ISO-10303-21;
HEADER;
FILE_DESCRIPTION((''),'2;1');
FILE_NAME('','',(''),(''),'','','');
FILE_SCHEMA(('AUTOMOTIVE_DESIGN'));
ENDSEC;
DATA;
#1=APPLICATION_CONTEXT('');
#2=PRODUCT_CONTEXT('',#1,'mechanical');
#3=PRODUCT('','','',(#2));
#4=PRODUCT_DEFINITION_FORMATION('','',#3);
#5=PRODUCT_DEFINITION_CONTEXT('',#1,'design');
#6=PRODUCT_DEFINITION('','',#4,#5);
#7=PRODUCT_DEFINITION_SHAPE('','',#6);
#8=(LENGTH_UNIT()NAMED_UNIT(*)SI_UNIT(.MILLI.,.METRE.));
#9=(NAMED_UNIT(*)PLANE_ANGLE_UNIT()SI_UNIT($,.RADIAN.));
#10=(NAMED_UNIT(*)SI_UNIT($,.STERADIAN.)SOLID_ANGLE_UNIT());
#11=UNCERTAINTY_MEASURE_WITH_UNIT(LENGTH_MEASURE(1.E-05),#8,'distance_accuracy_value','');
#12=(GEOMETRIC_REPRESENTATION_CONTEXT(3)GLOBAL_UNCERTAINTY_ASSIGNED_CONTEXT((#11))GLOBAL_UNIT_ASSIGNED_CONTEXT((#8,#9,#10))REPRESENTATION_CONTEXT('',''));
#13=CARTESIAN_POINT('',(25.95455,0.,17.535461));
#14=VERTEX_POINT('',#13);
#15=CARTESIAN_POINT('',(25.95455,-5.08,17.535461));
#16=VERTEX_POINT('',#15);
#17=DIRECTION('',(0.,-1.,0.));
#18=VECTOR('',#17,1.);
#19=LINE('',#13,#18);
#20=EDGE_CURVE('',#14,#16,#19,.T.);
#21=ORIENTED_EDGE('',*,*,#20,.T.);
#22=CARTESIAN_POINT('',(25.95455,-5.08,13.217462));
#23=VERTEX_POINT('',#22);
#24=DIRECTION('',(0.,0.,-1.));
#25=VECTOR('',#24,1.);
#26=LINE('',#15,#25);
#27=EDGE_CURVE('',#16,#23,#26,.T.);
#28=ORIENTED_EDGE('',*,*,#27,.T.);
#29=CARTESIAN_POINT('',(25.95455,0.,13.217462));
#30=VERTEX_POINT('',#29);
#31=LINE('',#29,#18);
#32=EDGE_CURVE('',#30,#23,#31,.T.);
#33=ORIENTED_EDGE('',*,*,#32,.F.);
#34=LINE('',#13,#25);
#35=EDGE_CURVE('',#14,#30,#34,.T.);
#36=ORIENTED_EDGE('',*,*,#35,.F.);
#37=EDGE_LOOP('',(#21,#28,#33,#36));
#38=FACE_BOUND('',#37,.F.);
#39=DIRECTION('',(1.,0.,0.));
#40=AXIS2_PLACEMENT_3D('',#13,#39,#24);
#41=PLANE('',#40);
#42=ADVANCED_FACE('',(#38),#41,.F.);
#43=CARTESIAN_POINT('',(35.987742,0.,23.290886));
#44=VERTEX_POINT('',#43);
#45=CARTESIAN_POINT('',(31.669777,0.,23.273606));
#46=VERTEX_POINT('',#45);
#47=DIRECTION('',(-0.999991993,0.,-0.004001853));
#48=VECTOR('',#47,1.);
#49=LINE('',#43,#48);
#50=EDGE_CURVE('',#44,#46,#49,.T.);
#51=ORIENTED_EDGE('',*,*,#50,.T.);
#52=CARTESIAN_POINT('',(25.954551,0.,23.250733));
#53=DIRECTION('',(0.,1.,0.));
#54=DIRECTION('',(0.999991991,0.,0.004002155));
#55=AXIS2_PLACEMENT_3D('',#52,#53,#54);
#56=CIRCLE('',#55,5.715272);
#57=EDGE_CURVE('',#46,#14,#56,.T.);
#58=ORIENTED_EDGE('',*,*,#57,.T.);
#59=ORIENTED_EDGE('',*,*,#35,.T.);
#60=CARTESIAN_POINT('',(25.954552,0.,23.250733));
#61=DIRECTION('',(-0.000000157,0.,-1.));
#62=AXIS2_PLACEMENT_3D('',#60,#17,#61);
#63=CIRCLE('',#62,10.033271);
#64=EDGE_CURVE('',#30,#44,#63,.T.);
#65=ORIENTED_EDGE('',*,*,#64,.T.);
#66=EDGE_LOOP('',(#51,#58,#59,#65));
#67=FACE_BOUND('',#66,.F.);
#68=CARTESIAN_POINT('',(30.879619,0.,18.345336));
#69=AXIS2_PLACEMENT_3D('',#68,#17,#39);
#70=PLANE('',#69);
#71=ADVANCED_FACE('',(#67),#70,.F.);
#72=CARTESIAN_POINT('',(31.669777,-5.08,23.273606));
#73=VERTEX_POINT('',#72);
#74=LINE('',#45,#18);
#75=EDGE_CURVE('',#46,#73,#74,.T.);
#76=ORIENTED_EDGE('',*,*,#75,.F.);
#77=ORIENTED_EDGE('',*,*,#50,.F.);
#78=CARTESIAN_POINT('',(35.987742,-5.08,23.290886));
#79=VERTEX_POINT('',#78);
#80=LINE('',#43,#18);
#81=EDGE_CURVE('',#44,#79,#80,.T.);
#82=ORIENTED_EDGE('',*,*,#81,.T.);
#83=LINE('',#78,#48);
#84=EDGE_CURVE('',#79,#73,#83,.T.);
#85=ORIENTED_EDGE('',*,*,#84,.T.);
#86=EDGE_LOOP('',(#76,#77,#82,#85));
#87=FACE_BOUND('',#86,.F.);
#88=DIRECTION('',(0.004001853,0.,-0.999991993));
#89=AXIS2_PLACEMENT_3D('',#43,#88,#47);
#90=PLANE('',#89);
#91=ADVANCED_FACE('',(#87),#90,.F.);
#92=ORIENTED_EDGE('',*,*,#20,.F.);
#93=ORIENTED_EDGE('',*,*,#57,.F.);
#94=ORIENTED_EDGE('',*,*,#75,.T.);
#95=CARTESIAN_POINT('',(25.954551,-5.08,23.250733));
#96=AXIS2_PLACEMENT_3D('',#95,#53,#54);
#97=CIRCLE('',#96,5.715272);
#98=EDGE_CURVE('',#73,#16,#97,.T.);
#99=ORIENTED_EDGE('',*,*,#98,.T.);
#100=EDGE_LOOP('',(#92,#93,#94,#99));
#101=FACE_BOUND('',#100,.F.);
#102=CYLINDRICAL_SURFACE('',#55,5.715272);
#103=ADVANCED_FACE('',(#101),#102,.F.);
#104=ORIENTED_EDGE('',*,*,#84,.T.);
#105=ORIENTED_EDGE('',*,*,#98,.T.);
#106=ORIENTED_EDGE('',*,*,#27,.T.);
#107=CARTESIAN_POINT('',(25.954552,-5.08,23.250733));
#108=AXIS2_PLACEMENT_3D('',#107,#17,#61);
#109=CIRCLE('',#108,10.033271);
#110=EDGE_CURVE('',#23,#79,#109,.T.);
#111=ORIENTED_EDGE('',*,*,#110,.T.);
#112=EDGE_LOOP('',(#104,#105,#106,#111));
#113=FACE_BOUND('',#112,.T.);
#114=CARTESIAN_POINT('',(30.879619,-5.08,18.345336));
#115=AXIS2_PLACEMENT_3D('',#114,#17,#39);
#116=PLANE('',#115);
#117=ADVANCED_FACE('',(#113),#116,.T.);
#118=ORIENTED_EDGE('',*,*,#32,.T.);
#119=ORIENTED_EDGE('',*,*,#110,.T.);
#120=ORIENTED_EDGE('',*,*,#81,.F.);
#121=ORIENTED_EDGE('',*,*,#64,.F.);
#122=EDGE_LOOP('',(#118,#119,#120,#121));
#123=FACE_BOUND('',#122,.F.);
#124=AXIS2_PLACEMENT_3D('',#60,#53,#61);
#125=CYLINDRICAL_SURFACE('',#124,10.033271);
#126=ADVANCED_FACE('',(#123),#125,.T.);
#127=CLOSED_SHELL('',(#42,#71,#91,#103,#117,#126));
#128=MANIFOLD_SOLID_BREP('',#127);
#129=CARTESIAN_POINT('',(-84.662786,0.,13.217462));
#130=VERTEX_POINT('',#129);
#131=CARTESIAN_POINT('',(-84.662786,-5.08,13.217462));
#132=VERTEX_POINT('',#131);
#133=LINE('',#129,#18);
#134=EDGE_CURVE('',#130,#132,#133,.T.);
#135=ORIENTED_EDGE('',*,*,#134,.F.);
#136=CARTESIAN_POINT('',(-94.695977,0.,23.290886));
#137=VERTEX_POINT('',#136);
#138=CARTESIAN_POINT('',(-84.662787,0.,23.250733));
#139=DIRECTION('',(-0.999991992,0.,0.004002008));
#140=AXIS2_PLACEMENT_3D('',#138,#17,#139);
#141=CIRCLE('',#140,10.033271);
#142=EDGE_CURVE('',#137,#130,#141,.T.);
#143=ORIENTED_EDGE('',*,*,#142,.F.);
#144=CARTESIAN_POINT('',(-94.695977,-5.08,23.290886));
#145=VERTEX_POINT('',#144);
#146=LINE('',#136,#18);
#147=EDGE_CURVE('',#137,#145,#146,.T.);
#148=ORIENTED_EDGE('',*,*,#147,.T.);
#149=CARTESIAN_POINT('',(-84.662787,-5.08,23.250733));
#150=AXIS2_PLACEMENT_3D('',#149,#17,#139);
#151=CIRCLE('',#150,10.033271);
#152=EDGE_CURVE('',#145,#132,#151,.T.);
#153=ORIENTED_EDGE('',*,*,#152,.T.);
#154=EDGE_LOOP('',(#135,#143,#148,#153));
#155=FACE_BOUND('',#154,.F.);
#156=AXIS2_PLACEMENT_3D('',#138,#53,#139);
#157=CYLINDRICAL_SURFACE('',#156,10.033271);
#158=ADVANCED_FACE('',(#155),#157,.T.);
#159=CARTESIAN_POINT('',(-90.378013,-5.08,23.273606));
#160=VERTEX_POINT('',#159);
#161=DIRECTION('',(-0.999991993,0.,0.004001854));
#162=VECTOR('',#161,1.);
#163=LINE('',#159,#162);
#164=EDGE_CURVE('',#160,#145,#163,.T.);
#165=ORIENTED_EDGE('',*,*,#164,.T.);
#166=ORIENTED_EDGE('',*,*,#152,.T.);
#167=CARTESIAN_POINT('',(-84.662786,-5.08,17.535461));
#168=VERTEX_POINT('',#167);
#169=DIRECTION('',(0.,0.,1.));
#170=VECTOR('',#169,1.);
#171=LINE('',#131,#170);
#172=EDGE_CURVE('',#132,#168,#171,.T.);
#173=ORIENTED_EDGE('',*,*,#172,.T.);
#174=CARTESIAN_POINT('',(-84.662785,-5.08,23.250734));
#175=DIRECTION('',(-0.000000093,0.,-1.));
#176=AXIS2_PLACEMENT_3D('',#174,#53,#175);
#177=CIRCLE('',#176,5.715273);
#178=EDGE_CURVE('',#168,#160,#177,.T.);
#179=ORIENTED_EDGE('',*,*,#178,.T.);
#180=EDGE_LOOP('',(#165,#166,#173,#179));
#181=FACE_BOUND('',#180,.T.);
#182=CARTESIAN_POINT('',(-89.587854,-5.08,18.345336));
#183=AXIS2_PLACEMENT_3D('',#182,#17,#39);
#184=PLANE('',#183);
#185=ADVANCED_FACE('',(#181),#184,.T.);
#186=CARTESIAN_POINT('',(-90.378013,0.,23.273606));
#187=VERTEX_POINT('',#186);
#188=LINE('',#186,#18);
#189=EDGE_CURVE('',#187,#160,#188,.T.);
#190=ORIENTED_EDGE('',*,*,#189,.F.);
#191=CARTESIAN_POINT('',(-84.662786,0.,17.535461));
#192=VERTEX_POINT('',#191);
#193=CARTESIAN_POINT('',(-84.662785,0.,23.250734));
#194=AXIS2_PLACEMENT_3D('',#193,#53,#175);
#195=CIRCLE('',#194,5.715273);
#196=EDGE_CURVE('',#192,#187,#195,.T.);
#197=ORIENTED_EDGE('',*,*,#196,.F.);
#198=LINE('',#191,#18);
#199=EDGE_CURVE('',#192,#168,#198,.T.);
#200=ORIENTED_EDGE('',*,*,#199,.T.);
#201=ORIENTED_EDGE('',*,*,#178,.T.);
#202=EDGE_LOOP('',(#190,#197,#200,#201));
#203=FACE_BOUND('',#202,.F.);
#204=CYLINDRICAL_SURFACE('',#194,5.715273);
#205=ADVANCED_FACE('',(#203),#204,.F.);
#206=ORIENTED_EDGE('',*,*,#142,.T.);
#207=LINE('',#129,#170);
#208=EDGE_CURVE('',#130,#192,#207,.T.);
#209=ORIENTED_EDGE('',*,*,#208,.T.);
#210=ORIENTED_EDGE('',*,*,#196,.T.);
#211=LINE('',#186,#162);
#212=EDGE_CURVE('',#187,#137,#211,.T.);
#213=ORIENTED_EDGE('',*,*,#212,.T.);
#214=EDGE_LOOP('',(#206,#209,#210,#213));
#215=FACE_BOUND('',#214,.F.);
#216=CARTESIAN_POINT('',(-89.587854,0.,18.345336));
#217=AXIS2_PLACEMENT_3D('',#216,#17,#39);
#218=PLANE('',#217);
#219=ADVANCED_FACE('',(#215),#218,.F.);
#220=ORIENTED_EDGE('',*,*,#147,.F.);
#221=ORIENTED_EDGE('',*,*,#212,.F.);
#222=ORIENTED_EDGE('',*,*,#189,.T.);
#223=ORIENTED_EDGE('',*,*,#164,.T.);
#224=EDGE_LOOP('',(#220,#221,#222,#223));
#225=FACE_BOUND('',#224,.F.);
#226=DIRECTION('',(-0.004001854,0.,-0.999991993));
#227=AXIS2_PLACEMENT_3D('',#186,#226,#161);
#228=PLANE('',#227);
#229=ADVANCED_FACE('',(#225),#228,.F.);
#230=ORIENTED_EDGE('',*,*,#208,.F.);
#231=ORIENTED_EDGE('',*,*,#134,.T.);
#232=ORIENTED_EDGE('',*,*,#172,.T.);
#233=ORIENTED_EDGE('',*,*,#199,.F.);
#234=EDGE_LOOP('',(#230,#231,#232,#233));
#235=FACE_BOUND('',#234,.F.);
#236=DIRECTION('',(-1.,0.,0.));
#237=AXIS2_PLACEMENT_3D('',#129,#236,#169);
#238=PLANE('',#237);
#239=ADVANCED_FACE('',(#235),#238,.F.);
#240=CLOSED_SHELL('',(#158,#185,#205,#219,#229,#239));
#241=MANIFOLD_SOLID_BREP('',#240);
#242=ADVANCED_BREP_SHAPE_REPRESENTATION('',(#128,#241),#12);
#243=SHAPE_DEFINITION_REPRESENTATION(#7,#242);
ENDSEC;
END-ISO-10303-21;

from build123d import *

# Parameters (mm, degrees)
F1_DEPTH = 5.08
F2_DEPTH = 5.08


with BuildPart() as f1:
    # F0 (on Front) → F1 (new body)
    with BuildSketch(Plane.XZ):
        with BuildLine():
            ThreePointArc((31.669777, 23.273606), (30.003937, 19.21752), (25.95455, 17.535461))
            Line((25.95455, 17.535461), (25.95455, 13.217462))
            ThreePointArc((25.95455, 13.217462), (33.063327, 16.170349), (35.987742, 23.290886))
            Line((35.987742, 23.290886), (31.669777, 23.273606))
        make_face()
    extrude(amount=F1_DEPTH)


with BuildPart() as f2:
    # F0 (on Front) → F2 (new body)
    with BuildSketch(Plane.XZ):
        with BuildLine():
            Line((-84.662786, 13.217462), (-84.662786, 17.535461))
            ThreePointArc((-84.662786, 17.535461), (-88.712172, 19.21752), (-90.378013, 23.273606))
            Line((-90.378013, 23.273606), (-94.695977, 23.290886))
            ThreePointArc((-94.695977, 23.290886), (-91.771562, 16.170349), (-84.662786, 13.217462))
        make_face()
    extrude(amount=F2_DEPTH)


solid = Compound([f1.part, f2.part])
